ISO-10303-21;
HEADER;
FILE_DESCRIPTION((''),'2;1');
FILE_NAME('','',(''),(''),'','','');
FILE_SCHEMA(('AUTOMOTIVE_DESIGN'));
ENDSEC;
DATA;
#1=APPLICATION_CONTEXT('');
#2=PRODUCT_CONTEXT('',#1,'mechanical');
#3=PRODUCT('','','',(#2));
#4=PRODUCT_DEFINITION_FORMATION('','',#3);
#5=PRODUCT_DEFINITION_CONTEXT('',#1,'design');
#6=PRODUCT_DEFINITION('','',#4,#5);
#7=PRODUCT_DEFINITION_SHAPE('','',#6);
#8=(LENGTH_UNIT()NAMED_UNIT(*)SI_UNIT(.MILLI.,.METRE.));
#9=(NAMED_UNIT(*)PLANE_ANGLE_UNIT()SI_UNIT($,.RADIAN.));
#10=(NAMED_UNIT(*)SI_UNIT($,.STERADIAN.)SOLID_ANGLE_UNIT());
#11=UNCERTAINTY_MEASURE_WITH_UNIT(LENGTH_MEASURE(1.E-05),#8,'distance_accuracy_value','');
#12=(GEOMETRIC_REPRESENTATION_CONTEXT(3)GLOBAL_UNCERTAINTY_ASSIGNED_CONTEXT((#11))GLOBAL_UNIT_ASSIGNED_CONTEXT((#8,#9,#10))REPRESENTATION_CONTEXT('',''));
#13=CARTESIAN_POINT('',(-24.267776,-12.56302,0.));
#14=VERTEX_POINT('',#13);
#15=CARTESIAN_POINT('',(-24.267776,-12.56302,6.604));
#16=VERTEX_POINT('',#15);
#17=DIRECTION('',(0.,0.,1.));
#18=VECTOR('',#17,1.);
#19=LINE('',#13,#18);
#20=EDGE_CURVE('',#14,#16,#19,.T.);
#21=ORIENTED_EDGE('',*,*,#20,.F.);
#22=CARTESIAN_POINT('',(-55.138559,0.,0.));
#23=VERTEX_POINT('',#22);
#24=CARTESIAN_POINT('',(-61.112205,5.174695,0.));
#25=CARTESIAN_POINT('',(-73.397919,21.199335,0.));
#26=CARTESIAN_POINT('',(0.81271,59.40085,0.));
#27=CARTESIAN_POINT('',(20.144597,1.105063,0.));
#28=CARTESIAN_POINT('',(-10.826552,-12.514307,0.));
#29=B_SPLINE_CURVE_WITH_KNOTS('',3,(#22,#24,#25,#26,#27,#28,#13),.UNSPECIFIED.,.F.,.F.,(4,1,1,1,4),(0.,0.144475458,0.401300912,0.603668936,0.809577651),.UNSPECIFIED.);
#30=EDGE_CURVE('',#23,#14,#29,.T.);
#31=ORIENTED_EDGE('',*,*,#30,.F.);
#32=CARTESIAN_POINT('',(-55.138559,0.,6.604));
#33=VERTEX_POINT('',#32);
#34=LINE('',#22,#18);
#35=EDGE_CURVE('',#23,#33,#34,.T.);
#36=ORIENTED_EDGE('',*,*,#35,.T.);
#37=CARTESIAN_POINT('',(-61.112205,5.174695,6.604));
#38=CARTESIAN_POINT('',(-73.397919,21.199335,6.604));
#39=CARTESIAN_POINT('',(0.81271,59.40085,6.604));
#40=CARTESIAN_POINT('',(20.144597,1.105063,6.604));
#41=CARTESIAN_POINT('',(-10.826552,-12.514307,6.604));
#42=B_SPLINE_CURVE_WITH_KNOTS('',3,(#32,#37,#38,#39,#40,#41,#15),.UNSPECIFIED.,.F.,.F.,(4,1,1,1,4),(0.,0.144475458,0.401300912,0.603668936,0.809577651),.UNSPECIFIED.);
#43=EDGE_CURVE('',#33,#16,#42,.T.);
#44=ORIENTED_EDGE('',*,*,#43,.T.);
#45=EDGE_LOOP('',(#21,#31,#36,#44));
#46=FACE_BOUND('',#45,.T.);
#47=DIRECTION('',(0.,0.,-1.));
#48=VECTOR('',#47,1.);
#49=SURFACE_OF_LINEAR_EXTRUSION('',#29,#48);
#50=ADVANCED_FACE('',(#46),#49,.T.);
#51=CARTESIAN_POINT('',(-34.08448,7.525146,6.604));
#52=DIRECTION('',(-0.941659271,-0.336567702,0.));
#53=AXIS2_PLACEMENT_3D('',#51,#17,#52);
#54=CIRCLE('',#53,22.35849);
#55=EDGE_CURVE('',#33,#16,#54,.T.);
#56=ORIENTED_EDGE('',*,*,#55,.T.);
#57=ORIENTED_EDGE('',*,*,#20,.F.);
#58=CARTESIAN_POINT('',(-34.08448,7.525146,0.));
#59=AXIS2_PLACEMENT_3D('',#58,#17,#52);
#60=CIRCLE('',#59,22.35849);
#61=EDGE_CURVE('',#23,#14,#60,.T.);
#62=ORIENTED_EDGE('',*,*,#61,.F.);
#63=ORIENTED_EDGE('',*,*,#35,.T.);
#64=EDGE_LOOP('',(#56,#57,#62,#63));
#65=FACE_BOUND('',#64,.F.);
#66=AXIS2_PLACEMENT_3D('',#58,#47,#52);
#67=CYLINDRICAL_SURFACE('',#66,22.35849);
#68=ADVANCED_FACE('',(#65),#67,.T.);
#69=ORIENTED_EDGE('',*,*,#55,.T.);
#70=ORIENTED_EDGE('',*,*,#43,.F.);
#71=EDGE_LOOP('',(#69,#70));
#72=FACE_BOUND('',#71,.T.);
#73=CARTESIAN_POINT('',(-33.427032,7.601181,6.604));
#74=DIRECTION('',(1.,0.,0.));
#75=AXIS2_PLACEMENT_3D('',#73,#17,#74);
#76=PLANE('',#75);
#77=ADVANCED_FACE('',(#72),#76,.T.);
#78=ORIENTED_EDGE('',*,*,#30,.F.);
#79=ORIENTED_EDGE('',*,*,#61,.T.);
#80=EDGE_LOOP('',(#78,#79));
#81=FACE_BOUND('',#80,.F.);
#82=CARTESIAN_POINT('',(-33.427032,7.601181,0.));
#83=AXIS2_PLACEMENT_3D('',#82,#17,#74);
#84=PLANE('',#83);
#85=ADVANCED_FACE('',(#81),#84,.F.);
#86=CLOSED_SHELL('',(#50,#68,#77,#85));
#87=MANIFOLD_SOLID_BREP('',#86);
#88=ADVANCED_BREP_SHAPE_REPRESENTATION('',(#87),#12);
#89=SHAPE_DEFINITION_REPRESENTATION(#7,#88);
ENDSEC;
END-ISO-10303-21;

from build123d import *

# Parameters (mm, degrees)
F1_DEPTH = 6.604


with BuildPart() as f1:
    # F0 (on Top) → F1 (new body)
    with BuildSketch(Plane.XY):
        with BuildLine():
            ThreePointArc((-24.2677763462, -12.5630199019), (-15.1188700512, -4.3157875342), (-11.7259904466, 7.5251455419))
            ThreePointArc((-11.7259904466, 7.5251455419), (-37.9031613912, 29.5551192353), (-55.1385594597, 0))
            add(Edge.make_bspline(
                [(-24.2677763462, -12.5630199019), (-36.6980881199, -12.6080692122), (-47.2651420852, -6.8203802372), (-55.1385594597, 0)],
                knots=[0.8095776514, 0.8095776514, 0.8095776514, 0.8095776514, 1, 1, 1, 1], degree=3))
        make_face()
        with BuildLine():
            ThreePointArc((-55.1385594597, 0), (-37.9031613912, 29.5551192353), (-11.7259904466, 7.5251455419))
            ThreePointArc((-11.7259904466, 7.5251455419), (-15.1188700512, -4.3157875342), (-24.2677763462, -12.5630199019))
            add(Edge.make_bspline(
                [(-55.1385594597, 0), (-61.1122048128, 5.1746948971), (-73.3979194879, 21.1993351165), (0.8127101321, 59.4008500864), (20.1445974763, 1.1050627144), (-10.8265518833, -12.5143068929), (-24.2677763462, -12.5630199019)],
                knots=[0, 0, 0, 0, 0.1444754576, 0.4013009125, 0.603668936, 0.8095776514, 0.8095776514, 0.8095776514, 0.8095776514], degree=3))
        make_face()
        with BuildLine():
            add(Edge.make_bspline(
                [(-24.2677763462, -12.5630199019), (-36.6980881199, -12.6080692122), (-47.2651420852, -6.8203802372), (-55.1385594597, 0)],
                knots=[0.8095776514, 0.8095776514, 0.8095776514, 0.8095776514, 1, 1, 1, 1], degree=3))
            ThreePointArc((-55.1385594597, 0), (-42.5122331082, -13.1841530558), (-24.2677763462, -12.5630199019))
        make_face()
    extrude(amount=F1_DEPTH)


solid = f1.part
